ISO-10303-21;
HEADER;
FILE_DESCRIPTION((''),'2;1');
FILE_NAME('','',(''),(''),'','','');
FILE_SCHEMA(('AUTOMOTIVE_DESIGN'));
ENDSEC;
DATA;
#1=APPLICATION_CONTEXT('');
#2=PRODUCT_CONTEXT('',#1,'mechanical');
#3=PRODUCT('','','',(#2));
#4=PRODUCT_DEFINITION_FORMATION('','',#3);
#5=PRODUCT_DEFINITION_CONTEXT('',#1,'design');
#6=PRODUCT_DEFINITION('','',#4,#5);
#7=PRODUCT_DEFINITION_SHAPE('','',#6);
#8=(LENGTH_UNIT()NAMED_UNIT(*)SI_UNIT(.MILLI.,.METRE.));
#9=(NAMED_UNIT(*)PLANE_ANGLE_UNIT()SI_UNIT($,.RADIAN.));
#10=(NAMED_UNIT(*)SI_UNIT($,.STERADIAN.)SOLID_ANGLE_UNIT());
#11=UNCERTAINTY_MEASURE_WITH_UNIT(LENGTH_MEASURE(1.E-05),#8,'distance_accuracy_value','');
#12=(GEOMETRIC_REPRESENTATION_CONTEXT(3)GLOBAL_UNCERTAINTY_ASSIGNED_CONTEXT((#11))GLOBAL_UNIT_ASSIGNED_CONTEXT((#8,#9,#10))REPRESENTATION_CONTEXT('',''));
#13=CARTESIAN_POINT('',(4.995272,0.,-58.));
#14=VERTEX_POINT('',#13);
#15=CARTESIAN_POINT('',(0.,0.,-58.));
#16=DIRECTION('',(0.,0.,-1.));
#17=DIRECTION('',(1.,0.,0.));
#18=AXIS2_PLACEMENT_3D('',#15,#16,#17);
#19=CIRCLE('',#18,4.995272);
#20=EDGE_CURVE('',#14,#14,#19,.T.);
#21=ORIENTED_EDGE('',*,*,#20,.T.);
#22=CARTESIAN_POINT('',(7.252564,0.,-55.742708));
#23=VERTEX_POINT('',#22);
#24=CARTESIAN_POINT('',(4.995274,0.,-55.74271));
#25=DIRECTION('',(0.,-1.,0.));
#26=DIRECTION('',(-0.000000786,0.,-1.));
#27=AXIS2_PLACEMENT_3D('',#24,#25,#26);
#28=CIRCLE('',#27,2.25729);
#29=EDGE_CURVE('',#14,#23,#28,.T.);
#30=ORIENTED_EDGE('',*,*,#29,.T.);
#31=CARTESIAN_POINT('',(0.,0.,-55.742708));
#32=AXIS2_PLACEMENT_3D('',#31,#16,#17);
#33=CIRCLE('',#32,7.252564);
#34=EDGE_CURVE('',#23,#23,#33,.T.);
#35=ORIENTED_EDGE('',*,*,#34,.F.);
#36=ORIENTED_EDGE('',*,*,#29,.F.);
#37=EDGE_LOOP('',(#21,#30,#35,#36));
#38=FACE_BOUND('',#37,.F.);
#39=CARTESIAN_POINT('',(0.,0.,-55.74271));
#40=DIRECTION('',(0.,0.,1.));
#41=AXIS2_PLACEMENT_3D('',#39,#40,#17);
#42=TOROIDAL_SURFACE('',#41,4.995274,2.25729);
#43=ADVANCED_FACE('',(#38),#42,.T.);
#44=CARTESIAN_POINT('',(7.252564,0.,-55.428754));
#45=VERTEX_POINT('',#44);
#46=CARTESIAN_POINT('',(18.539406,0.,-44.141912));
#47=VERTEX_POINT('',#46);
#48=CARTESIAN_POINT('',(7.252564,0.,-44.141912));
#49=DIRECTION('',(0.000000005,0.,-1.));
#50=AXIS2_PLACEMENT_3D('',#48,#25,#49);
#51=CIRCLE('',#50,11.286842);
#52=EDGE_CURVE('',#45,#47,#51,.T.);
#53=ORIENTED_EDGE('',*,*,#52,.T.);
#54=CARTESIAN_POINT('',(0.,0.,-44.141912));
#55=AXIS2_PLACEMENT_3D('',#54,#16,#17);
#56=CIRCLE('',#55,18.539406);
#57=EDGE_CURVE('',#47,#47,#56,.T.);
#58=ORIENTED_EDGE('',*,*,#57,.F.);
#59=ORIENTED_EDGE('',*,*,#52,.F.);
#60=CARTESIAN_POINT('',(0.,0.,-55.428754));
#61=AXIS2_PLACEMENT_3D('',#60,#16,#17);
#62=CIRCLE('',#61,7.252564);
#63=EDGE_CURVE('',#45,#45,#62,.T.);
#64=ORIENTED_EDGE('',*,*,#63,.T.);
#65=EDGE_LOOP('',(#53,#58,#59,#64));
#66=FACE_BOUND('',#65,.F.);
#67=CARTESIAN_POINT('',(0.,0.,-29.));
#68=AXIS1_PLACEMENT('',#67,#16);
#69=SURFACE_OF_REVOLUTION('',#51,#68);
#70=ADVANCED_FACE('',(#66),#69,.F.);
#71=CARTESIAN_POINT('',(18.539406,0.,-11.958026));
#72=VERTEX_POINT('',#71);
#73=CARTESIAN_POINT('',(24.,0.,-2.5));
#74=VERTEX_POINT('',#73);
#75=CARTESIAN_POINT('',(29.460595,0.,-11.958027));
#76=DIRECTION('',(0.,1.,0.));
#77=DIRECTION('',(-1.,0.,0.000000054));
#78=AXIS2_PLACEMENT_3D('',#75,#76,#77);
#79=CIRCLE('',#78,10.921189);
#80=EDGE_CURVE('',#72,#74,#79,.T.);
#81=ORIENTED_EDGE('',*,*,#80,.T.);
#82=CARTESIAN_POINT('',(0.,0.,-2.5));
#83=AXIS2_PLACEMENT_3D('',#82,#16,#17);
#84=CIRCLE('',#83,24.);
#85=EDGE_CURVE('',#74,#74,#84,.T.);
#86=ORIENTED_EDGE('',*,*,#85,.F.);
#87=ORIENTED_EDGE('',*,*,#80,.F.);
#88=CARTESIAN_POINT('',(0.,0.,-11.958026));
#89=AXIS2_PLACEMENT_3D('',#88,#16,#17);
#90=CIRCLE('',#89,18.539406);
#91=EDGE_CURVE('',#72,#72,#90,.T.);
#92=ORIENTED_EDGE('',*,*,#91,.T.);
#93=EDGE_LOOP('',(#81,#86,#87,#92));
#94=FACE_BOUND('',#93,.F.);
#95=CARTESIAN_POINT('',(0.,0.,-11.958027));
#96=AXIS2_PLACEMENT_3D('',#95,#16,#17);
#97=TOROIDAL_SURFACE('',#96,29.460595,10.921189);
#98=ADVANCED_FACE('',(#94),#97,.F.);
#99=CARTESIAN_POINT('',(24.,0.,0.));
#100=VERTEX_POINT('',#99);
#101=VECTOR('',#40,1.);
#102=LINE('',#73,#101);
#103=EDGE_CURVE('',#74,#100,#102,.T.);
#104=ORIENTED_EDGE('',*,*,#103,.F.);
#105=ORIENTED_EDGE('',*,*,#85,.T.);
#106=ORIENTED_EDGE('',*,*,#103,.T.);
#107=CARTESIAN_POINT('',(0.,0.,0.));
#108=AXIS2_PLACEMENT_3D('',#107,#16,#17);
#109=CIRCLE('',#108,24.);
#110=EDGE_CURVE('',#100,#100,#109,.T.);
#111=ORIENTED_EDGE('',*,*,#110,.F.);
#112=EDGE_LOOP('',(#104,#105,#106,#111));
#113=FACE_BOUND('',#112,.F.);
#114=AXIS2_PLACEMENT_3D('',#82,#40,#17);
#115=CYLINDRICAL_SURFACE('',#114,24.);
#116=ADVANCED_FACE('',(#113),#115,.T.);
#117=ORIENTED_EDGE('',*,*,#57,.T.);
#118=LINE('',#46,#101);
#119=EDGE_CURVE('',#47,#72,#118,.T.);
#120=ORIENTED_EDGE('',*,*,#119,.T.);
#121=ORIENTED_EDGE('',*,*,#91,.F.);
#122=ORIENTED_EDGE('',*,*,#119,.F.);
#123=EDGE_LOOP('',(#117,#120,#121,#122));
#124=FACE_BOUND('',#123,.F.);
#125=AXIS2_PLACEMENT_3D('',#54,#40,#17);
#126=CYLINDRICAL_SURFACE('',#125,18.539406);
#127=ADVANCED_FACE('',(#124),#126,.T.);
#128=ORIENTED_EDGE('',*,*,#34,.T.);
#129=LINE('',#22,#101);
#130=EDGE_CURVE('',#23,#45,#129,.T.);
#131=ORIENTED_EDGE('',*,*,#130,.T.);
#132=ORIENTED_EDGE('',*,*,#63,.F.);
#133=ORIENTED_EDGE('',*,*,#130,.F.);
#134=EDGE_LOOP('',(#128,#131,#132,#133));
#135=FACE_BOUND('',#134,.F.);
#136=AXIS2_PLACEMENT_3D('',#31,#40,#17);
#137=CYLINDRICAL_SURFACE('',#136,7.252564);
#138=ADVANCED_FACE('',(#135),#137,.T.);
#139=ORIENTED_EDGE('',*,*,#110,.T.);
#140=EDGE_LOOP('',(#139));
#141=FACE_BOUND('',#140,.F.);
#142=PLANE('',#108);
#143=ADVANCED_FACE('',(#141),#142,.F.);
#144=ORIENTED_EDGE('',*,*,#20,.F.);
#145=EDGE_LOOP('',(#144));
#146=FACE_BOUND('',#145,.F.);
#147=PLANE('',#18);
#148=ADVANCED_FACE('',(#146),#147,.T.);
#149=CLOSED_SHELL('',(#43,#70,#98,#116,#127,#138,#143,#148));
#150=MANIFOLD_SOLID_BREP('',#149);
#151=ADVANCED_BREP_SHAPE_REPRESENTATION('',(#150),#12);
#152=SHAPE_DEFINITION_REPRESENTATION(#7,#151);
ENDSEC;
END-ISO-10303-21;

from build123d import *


with BuildPart() as f1:
    # F0 (on Front) → F1 (revolve)
    with BuildSketch(Plane.XZ):
        with BuildLine():
            Line((24, 0), (0, 0))
            Line((0, 0), (0, -58))
            Line((0, -58), (4.995272, -58))
            ThreePointArc((4.995272, -58), (6.591419, -57.338855), (7.252564, -55.742708))
            Line((7.252564, -55.742708), (7.252564, -55.428754))
            ThreePointArc((7.252564, -55.428754), (15.233567, -52.122914), (18.539406, -44.141912))
            Line((18.539406, -44.141912), (18.539406, -11.958026))
            ThreePointArc((18.539406, -11.958026), (20.002568, -6.497432), (24, -2.5))
            Line((24, -2.5), (24, 0))
        make_face()
    revolve(axis=Axis((0, 0, -29), (0, 0, -1)))


solid = f1.part
